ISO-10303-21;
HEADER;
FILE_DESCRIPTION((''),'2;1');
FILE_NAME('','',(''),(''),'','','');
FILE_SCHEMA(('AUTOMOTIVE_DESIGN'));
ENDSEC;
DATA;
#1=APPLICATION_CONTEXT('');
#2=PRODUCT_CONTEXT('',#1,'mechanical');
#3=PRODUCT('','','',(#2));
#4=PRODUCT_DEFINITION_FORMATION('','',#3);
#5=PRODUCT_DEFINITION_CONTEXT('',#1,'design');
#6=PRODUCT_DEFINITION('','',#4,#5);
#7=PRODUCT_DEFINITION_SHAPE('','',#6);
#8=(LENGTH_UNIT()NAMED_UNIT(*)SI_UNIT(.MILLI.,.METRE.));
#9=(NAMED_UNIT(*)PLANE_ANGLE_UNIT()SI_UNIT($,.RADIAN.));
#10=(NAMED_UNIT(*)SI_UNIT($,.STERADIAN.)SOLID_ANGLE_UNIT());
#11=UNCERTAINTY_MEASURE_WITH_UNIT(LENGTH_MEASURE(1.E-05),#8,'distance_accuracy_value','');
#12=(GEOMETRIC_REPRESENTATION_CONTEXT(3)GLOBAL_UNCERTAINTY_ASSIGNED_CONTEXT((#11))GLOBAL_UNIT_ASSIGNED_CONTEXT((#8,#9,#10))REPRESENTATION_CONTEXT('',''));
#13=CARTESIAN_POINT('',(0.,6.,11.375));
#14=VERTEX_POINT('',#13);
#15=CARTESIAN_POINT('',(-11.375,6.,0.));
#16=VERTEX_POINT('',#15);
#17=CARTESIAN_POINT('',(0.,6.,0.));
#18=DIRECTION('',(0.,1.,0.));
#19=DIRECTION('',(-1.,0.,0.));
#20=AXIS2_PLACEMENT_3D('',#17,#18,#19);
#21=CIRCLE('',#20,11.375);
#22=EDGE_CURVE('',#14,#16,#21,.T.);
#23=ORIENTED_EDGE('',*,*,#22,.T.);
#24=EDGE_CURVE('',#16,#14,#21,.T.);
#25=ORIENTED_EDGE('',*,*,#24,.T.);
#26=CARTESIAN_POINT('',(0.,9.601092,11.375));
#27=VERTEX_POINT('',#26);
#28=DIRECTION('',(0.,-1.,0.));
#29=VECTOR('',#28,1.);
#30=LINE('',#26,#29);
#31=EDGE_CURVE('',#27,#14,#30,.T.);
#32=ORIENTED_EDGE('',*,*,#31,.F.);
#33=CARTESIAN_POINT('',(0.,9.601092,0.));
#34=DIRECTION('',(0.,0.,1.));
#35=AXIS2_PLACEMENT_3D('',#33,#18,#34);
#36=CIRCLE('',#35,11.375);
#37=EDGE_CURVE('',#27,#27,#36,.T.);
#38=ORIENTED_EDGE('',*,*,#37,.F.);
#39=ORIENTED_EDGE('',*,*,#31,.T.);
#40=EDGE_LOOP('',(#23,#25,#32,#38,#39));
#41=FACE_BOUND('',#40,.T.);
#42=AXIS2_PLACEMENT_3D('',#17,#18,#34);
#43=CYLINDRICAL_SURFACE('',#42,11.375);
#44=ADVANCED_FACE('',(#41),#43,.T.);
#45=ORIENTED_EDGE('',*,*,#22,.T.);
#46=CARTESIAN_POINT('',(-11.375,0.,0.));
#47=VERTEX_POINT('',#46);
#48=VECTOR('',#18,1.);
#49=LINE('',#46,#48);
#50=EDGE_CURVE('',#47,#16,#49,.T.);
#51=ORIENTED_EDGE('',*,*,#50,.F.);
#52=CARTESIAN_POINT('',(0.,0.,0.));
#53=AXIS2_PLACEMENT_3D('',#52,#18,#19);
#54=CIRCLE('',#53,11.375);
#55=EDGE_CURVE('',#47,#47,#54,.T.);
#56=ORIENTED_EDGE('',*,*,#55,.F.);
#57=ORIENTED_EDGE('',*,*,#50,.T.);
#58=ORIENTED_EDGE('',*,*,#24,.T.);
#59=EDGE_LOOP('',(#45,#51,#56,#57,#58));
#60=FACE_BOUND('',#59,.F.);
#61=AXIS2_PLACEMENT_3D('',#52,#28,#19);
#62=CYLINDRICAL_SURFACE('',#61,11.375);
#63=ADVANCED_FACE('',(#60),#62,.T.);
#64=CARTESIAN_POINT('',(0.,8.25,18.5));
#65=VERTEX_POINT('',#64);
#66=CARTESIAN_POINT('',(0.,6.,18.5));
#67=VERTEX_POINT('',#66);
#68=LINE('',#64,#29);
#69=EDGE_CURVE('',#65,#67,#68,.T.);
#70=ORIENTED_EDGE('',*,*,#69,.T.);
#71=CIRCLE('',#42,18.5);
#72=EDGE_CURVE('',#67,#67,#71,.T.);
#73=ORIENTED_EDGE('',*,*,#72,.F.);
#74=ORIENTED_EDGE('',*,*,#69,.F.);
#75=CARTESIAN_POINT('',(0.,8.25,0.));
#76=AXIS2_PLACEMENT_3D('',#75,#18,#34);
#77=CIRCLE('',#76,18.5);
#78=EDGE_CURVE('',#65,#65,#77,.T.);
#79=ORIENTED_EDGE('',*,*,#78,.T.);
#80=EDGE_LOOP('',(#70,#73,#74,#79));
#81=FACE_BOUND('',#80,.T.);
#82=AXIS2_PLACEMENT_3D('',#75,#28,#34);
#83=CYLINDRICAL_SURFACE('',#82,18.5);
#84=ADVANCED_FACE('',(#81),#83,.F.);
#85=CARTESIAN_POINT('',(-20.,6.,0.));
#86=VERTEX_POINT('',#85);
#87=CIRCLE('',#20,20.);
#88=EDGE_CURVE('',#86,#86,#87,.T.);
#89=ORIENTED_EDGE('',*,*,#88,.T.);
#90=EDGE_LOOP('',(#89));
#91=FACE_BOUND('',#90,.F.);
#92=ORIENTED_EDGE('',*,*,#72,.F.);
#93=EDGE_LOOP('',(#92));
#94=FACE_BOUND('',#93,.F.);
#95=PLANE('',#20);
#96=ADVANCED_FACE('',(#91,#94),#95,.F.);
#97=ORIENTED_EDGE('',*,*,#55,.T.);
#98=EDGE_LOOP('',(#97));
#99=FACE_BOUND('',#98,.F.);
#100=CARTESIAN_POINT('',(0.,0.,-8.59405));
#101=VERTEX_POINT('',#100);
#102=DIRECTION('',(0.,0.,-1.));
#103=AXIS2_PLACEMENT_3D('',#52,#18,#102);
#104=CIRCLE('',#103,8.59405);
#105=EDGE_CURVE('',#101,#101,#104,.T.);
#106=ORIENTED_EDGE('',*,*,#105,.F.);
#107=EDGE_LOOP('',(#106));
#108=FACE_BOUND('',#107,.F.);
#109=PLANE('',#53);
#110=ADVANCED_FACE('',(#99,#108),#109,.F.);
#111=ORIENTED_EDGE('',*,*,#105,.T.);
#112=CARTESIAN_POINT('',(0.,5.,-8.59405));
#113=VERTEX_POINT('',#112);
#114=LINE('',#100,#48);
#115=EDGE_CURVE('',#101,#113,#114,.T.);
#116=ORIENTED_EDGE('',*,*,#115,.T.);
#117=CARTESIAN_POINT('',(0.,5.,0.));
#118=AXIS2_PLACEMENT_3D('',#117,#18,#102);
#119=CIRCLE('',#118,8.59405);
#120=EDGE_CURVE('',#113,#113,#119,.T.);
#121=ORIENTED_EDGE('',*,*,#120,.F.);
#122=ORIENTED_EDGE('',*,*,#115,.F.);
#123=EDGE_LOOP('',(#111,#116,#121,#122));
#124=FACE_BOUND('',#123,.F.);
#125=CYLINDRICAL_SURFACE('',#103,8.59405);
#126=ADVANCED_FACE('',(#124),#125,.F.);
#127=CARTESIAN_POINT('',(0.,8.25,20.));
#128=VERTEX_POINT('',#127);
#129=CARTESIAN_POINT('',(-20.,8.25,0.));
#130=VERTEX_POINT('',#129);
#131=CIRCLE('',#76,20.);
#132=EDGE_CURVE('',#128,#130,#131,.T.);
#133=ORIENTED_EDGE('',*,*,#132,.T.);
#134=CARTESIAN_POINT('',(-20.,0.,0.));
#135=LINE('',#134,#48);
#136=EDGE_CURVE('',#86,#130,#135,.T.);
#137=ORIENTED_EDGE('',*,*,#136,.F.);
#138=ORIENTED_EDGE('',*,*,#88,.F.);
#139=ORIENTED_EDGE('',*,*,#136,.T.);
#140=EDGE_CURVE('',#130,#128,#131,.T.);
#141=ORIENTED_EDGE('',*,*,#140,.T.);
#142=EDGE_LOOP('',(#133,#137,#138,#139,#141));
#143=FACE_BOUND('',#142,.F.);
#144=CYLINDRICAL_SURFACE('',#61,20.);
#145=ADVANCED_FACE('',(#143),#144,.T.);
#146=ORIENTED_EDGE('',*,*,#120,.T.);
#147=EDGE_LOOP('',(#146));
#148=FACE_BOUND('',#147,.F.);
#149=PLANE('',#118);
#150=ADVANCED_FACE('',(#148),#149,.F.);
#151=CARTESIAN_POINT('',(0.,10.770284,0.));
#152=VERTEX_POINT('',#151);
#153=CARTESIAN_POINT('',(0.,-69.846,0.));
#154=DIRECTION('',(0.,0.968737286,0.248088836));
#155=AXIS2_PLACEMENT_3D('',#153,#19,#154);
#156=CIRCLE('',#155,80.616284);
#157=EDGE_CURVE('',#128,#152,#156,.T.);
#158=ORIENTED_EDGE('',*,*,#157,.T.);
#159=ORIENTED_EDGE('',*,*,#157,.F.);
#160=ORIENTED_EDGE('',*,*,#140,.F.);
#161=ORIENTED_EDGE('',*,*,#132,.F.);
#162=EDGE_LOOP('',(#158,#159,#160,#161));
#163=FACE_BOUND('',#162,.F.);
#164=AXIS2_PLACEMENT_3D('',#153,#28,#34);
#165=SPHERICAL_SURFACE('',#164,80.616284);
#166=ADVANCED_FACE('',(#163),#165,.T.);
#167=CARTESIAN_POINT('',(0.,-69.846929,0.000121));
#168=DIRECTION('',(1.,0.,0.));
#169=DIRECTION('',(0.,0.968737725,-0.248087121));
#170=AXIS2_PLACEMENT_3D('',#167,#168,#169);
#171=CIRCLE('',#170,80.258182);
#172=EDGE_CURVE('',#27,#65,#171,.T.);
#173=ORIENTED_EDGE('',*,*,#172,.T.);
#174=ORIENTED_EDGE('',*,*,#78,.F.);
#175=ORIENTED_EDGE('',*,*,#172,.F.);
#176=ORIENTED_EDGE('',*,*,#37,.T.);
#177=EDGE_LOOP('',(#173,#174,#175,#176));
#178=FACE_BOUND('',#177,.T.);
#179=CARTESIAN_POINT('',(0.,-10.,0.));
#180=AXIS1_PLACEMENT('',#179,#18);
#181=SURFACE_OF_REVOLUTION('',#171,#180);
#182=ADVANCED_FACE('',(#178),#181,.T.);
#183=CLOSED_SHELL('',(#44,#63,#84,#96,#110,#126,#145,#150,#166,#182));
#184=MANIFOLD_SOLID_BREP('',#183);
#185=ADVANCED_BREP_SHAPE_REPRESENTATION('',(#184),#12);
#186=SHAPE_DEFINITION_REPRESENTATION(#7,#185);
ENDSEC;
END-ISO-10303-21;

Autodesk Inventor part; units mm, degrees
ref_plane "YZ Plane" through (0, 0, 0) normal (1, 0, 0) x (0, 1, 0)
ref_plane "XZ Plane" through (0, 0, 0) normal (0, 1, 0) x (-1, 0, 0)
ref_plane "XY Plane" through (0, 0, 0) normal (0, 0, 1) x (1, 0, 0)
sketch "Sketch1" plane through (0, 0, 0) normal (0, 1, 0) x (-1, 0, 0)
  circle A0 centre (0, 0) radius 11.375
  circle A1 centre (0, 0) radius 20
  circle A2 centre (0, 0) radius 18.25
  dimension "d0" = 22.75
  dimension "d1" = 40
  dimension "d2" = 36.5
extrude "Extrusion1" add sketch "Sketch1" along normal blind 12.25 contours A0 | A1 | A2
extrude "Extrusion2" cut sketch "Sketch1" along normal blind 6 contours A1 | A2
sketch "Sketch2" plane through (0, 0, 0) normal (1, 0, 0) x (0, 1, 0)
  line L0 (6, -20) -> (6, 20) projected
  line L1 (12.25, -20) -> (12.25, 20) projected
  line L2 (6, 20) -> (12.25, 20) projected
  line L3 (12.25, -20) -> (8.25, -20)
  line L4 (8.25, -20) -> (8.25, 20)
  line L5 (8.25, 20) -> (12.25, 20)
  line L6 (12.25, 20) -> (12.25, -20)
  arc A0 (8.25, -20) -> (8.25, 20) centre (-69.846, 0) ccw
  line L7 (-50.15, 0) -> (22.65, 0) projected
  line L8 (6, -20) -> (6, 20) projected
  line L9 (6, 11.375) -> (6, -11.375) projected
  line L10 (0, 11.375) -> (0, -11.375) projected
  line L11 (6, 11.375) -> (12.25, 11.375)
  line L12 (12.25, 11.375) -> (12.25, -11.375)
  line L13 (12.25, -11.375) -> (6, -11.375)
  line L14 (6, -11.375) -> (6, 11.375)
  line L15 (0, 11.375) -> (12.25, 11.375)
  line L16 (12.25, 11.375) -> (12.25, -11.375)
  line L17 (12.25, -11.375) -> (0, -11.375)
  line L18 (0, -11.375) -> (0, 11.375)
  line L19 (8.25, 18.5) -> (6, 18.5)
  line L20 (6, 18.5) -> (6, -18.5)
  line L21 (6, -18.5) -> (8.25, -18.5)
  line L22 (8.25, -18.5) -> (8.25, 18.5)
  arc A1 (7.9022, -19.9109) -> (8.25, 18.5) centre (-69.846, 0) ccw
  point P0 (12.25, 0)
  point P1 (6, 0)
  point P2 (8.25, 0)
  point P3 (10.7703, 0)
  point P4 (12.25, 0)
  point P5 (9.6011, 11.375)
  dimension "d8" = 4
revolve "Revolution1" cut sketch "Sketch2" angle 360 about axis through (0, -10, 0) along (0, 1, 0) contours L0 L19 L4 L11 | L4 A1 L11 | A0 L11 L1 L7 | A0 L2 L1 L11
sketch "Sketch3" plane through (0, 0, 0) normal (0, -1, 0) x (1, 0, 0)
  circle A0 centre (0, 0) radius 11.375 projected
hole "Hole1" at (0, 0, 0) direction (0, 1, 0) diameter 17.1881 depth 5 thread size "M18x0.75" class "6H" standard "ANSI Metric M Profile"
properties part number "E-Stop Button" material "ABS Plastic"
